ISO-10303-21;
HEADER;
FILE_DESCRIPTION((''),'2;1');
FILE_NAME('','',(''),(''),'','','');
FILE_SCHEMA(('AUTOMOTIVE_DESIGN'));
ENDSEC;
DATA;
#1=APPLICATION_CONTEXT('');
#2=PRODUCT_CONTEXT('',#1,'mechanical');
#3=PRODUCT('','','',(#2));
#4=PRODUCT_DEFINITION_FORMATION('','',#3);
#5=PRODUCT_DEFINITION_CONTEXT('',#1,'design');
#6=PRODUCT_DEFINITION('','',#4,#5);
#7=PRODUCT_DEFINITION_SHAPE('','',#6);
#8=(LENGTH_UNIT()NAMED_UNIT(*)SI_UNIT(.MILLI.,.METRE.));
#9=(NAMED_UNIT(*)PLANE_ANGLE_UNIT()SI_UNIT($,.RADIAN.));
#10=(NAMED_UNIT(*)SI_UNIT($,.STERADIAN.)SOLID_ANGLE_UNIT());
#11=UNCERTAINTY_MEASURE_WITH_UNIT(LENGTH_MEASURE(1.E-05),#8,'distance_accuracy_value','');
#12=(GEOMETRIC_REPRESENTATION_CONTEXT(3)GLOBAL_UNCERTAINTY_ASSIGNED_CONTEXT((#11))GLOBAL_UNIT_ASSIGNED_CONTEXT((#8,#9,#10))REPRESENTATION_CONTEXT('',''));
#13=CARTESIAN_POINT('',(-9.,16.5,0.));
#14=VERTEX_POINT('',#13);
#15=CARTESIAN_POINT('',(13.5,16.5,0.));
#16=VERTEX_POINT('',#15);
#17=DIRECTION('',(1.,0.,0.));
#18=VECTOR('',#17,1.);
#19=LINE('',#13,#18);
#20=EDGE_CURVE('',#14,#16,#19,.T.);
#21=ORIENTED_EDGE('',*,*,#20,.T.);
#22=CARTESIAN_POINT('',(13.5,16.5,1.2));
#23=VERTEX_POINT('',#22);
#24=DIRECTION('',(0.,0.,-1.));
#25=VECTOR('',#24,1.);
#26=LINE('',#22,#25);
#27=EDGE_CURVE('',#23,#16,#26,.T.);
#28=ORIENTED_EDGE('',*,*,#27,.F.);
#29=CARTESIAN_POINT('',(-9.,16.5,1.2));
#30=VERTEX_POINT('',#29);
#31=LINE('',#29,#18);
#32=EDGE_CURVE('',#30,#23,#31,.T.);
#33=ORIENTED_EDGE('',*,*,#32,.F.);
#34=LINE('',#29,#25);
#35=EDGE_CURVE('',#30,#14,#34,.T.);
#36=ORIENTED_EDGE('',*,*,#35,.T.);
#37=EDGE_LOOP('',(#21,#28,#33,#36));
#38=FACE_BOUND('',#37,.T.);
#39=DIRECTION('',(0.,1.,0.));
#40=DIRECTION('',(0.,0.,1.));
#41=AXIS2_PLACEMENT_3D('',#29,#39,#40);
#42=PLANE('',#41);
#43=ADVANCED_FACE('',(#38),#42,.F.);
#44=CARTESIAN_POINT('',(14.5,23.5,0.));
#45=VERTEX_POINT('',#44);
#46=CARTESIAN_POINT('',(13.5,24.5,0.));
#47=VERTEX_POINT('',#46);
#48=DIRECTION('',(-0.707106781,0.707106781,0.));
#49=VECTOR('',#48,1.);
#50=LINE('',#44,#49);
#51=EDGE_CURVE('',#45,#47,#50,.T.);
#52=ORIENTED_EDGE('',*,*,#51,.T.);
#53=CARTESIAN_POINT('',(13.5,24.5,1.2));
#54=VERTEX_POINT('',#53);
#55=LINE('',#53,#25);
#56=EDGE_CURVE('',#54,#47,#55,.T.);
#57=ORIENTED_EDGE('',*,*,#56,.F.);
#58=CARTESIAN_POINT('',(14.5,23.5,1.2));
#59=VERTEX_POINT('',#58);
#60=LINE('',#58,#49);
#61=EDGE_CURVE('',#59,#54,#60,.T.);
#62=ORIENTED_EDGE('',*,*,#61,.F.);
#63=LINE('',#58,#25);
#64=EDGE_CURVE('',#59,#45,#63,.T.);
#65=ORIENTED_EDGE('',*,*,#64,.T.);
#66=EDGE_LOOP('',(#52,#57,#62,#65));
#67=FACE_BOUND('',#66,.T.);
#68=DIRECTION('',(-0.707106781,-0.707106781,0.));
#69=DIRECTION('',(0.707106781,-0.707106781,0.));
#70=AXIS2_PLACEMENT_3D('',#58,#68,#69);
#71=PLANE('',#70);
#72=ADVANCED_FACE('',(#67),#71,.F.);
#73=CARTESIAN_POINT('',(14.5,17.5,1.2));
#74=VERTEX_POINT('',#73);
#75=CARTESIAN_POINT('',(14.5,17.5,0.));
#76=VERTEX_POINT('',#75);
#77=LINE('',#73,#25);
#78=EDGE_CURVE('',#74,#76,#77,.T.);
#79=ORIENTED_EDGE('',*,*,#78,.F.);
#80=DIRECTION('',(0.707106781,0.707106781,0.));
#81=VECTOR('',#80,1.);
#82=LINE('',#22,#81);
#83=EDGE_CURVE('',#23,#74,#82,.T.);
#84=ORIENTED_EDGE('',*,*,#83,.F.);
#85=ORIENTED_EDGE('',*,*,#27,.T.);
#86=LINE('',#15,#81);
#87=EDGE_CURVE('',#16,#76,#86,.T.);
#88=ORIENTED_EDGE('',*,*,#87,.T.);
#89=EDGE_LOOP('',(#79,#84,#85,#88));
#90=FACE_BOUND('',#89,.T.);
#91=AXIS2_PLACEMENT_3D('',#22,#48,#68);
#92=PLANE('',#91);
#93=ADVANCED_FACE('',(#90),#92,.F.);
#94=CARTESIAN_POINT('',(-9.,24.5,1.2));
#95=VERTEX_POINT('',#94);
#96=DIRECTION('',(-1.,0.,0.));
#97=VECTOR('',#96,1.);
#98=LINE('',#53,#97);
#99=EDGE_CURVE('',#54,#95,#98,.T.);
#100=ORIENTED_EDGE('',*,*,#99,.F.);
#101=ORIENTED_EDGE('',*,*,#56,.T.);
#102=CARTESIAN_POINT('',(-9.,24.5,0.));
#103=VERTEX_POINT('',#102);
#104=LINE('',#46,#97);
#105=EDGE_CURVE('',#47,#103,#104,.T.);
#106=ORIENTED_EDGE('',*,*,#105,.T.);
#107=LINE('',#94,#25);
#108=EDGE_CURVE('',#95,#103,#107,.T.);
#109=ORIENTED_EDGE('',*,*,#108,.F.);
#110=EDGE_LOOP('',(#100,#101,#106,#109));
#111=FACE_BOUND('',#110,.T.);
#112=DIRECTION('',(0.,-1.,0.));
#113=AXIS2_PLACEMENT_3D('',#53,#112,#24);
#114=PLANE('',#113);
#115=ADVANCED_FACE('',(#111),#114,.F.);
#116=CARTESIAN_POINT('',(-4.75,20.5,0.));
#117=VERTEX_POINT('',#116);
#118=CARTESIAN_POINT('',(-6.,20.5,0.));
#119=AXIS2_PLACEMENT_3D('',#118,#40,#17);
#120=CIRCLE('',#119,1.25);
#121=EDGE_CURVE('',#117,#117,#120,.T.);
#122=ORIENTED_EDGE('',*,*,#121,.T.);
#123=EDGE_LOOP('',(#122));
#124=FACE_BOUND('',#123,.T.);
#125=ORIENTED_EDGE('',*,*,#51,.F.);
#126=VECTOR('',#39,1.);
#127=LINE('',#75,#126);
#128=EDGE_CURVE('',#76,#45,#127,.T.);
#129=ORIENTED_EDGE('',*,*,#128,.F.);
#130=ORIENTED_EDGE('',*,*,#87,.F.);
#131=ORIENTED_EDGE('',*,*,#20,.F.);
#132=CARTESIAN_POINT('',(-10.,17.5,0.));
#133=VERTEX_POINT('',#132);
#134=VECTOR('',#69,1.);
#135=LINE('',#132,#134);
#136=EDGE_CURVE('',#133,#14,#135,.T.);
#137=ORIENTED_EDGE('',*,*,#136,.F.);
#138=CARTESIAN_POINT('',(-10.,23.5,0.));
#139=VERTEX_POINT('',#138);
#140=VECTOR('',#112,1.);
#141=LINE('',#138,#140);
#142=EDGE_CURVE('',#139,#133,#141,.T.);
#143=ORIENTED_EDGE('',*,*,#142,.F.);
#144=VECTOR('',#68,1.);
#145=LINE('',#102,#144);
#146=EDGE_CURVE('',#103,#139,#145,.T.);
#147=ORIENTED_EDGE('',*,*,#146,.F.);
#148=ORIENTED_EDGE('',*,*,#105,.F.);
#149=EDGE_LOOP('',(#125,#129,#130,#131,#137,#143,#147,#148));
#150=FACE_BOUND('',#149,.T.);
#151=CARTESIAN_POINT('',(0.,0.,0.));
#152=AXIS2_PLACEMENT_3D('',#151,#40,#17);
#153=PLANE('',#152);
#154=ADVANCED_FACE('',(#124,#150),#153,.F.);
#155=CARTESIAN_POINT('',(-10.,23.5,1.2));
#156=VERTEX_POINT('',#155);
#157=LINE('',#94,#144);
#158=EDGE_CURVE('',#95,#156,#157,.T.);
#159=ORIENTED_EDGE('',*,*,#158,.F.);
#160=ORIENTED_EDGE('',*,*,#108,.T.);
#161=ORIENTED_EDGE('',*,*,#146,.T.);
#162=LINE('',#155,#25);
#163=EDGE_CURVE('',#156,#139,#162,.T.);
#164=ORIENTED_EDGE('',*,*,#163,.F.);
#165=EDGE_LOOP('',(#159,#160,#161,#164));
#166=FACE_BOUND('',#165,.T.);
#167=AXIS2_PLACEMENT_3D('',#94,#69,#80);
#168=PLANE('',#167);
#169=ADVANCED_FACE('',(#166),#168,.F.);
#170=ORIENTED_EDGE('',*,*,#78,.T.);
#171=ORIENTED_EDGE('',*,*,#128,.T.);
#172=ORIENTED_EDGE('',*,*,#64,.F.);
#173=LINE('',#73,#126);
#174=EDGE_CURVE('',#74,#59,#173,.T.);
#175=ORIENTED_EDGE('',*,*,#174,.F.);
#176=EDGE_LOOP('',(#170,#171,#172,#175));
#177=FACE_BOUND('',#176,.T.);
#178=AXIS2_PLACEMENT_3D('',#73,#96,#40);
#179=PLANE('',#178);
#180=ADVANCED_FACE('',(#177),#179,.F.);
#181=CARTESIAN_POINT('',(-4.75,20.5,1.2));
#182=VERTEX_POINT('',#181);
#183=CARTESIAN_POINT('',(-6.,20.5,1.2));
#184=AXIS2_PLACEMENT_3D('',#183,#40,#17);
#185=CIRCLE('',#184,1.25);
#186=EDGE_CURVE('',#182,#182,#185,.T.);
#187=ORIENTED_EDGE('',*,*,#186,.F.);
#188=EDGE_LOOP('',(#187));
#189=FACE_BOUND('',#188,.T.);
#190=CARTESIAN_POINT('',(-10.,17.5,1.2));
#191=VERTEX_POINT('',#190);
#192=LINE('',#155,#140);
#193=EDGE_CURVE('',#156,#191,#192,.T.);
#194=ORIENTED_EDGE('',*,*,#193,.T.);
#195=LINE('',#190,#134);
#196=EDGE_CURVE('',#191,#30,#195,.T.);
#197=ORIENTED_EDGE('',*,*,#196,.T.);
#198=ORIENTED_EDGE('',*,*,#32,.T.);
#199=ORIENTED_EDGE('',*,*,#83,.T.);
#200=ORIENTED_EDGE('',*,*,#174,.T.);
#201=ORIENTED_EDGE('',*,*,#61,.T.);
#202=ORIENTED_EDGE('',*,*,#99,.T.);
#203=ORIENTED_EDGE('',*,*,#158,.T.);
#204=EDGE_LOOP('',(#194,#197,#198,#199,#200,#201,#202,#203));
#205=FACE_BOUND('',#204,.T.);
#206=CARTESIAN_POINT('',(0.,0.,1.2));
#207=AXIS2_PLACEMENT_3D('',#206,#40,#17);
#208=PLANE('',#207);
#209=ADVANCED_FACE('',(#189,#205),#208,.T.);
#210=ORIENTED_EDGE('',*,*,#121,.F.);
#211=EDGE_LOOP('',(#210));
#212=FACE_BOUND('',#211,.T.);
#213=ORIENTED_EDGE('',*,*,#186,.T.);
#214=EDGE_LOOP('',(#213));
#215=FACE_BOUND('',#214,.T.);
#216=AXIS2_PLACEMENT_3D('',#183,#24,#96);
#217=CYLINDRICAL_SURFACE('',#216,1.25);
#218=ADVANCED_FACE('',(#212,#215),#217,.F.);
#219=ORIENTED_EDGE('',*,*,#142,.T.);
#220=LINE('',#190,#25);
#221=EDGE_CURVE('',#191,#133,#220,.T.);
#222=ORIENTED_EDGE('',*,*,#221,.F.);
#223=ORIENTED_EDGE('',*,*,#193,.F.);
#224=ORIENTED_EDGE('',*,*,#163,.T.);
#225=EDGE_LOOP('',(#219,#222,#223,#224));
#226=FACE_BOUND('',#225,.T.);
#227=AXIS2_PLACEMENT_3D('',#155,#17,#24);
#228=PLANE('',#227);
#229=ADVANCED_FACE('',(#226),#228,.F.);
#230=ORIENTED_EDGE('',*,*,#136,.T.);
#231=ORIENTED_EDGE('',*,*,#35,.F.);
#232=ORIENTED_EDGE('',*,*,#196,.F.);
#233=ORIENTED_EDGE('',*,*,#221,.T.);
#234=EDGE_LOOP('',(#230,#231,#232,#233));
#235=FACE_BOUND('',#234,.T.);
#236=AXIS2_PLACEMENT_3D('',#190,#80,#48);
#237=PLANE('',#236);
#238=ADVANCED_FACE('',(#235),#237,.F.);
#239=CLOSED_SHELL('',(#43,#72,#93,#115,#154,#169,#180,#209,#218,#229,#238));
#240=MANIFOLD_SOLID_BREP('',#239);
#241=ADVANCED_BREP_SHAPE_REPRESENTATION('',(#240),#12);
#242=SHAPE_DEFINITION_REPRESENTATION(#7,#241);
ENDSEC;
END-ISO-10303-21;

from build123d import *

# Parameters (mm, degrees)
SKETCH_24_5_8_6_3_5_11_5_R = 1.25
EXTRUDE_1_2_DEPTH          = 1.2


with BuildPart() as part:
    # 草图_外形24点5乘8_孔位负6_3点5_11点5 → 拉伸_板厚1点2_孔贯穿 (new body)
    with BuildSketch(Plane.XY):
        Polygon((-10, 17.5), (-9, 16.5), (13.5, 16.5), (14.5, 17.5), (14.5, 23.5), (13.5, 24.5), (-9, 24.5), (-10, 23.5), align=None)
        with Locations((-6, 20.5)):
            Circle(SKETCH_24_5_8_6_3_5_11_5_R, mode=Mode.SUBTRACT)
    extrude(amount=EXTRUDE_1_2_DEPTH)


solid = part.part
